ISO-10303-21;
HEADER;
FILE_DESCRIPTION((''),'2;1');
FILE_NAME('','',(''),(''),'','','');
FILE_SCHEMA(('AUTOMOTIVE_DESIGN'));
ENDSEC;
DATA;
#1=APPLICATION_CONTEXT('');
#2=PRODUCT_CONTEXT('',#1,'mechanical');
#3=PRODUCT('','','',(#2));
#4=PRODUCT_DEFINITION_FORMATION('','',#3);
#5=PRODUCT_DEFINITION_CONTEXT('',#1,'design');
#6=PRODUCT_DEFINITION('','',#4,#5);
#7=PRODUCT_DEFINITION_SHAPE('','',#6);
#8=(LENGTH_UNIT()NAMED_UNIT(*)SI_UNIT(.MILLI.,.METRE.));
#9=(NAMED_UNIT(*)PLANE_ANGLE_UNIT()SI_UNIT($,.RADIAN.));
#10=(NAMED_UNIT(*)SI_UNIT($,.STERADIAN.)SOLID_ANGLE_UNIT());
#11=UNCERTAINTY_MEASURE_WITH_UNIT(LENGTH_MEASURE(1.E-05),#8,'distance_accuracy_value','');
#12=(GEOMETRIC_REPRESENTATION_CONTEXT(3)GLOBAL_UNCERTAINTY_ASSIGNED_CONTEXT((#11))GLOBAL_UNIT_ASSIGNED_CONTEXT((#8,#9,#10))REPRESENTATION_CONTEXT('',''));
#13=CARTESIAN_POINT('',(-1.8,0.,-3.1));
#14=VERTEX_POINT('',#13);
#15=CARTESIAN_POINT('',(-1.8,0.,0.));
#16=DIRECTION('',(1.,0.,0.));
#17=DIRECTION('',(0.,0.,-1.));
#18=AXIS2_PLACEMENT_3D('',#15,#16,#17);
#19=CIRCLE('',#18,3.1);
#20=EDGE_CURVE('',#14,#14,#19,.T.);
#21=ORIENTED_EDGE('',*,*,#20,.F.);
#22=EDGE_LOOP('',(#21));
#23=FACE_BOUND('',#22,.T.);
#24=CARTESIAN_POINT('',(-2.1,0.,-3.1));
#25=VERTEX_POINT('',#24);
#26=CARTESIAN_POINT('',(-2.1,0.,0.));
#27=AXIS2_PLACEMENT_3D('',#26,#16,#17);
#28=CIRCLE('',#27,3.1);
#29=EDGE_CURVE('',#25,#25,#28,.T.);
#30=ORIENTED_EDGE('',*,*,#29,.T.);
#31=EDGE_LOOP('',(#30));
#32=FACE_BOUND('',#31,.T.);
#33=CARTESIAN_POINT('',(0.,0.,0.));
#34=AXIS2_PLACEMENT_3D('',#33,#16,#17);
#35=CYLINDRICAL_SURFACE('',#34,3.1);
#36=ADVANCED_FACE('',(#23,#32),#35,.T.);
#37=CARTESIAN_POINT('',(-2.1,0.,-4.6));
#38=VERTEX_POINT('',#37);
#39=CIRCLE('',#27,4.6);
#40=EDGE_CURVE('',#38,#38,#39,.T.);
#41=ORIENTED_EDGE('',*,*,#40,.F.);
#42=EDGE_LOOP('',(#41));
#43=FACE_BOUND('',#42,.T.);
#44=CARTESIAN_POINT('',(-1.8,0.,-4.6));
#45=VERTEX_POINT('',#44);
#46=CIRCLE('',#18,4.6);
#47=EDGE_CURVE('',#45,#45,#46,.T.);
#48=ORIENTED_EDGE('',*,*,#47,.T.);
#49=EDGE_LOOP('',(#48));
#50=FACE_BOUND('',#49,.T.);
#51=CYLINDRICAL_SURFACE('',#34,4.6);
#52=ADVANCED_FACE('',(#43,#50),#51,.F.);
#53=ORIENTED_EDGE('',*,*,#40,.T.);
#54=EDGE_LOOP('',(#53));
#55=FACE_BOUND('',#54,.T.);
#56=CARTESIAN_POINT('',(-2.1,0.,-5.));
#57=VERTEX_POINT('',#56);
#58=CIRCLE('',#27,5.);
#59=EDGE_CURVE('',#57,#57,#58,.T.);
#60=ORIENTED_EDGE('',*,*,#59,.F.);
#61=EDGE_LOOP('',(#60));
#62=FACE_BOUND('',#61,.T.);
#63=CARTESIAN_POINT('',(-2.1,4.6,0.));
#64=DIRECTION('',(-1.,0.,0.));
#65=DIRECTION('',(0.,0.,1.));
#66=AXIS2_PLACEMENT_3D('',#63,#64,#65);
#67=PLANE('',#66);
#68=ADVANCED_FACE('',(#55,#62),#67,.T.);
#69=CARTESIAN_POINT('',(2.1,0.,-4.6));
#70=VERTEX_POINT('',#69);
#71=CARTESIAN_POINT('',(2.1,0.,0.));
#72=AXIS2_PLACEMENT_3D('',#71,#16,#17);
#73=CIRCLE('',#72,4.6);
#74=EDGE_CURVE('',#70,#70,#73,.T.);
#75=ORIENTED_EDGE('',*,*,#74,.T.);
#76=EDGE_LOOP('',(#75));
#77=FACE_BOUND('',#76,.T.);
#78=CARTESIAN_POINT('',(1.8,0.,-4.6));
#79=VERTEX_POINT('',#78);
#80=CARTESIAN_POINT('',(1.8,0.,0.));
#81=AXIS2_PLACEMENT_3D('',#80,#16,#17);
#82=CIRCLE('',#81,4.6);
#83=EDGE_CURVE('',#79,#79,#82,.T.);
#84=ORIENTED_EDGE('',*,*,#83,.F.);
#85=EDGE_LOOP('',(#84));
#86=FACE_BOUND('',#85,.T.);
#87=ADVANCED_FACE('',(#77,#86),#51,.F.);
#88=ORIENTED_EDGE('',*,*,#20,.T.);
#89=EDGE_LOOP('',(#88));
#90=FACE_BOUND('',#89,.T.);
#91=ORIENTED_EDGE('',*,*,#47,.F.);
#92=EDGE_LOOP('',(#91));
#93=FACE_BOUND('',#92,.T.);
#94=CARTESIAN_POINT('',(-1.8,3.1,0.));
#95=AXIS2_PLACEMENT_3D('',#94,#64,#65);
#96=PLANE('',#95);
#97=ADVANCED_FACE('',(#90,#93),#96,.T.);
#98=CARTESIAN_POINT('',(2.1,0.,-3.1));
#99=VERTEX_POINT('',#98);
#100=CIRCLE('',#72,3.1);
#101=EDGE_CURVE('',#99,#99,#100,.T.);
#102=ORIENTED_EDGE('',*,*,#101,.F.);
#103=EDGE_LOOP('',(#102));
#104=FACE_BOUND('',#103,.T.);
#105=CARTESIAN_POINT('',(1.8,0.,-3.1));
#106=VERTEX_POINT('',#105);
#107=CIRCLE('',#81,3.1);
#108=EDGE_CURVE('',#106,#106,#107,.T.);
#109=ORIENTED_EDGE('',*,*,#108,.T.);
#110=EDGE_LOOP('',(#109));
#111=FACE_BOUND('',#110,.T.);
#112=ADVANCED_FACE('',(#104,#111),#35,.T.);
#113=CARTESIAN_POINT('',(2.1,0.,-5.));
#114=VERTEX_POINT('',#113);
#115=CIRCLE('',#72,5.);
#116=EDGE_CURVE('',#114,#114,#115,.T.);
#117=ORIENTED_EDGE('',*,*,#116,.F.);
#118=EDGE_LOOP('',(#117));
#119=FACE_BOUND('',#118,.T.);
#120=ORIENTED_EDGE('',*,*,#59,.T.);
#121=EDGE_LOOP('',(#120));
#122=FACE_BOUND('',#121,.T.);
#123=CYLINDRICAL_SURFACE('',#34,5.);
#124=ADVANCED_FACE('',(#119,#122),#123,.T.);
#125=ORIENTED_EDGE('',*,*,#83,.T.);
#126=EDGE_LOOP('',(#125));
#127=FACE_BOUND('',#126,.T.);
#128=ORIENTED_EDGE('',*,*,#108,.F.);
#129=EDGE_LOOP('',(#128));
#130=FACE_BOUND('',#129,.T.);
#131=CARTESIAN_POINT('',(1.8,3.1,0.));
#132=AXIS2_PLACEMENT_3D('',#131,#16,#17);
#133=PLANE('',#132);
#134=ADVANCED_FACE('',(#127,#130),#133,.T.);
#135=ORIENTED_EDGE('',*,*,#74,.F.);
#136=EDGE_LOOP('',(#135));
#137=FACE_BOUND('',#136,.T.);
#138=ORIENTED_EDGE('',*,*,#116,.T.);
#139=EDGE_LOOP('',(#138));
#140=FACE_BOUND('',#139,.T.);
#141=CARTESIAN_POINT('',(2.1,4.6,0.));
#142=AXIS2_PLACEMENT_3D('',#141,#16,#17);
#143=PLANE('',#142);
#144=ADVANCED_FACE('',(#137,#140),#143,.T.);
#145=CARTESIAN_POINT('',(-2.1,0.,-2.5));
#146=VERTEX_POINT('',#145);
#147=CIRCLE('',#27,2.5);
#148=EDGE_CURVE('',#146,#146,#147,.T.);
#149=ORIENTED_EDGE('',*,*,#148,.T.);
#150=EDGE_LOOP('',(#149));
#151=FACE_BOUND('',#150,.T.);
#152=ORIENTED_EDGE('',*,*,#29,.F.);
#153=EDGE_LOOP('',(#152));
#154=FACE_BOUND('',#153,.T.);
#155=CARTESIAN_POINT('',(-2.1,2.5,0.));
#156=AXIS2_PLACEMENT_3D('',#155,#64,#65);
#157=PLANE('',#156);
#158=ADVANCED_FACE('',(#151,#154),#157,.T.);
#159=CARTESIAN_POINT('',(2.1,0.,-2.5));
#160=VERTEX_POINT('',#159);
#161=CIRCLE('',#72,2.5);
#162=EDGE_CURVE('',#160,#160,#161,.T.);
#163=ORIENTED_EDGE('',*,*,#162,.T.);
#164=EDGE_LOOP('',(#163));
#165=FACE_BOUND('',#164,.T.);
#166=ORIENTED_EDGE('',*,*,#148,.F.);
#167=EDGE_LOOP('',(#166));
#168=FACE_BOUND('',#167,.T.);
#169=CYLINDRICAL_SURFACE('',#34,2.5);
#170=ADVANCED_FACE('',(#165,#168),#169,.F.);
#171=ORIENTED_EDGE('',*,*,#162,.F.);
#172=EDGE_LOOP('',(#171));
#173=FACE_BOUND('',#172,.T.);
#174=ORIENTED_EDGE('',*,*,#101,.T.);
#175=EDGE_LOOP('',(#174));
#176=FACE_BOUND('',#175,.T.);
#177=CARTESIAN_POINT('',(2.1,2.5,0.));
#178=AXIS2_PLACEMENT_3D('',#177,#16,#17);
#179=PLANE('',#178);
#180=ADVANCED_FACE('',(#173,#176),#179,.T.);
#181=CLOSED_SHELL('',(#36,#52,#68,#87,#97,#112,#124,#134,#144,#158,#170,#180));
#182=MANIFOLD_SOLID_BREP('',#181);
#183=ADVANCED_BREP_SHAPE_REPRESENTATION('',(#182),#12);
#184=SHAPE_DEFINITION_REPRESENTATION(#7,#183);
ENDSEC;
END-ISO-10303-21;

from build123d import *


with BuildPart() as part:
    # Sketch1 → Revolve1 (revolve)
    with BuildSketch(Plane.XY):
        Polygon((2.1, 2.5), (-2.1, 2.5), (-2.1, 3.1), (-1.8, 3.1), (-1.8, 4.6), (-2.1, 4.6), (-2.1, 5), (2.1, 5), (2.1, 4.6), (1.8, 4.6), (1.8, 3.1), (2.1, 3.1), align=None)
    revolve(axis=Axis((0, 0, 0), (-1, 0, 0)))


solid = part.part
